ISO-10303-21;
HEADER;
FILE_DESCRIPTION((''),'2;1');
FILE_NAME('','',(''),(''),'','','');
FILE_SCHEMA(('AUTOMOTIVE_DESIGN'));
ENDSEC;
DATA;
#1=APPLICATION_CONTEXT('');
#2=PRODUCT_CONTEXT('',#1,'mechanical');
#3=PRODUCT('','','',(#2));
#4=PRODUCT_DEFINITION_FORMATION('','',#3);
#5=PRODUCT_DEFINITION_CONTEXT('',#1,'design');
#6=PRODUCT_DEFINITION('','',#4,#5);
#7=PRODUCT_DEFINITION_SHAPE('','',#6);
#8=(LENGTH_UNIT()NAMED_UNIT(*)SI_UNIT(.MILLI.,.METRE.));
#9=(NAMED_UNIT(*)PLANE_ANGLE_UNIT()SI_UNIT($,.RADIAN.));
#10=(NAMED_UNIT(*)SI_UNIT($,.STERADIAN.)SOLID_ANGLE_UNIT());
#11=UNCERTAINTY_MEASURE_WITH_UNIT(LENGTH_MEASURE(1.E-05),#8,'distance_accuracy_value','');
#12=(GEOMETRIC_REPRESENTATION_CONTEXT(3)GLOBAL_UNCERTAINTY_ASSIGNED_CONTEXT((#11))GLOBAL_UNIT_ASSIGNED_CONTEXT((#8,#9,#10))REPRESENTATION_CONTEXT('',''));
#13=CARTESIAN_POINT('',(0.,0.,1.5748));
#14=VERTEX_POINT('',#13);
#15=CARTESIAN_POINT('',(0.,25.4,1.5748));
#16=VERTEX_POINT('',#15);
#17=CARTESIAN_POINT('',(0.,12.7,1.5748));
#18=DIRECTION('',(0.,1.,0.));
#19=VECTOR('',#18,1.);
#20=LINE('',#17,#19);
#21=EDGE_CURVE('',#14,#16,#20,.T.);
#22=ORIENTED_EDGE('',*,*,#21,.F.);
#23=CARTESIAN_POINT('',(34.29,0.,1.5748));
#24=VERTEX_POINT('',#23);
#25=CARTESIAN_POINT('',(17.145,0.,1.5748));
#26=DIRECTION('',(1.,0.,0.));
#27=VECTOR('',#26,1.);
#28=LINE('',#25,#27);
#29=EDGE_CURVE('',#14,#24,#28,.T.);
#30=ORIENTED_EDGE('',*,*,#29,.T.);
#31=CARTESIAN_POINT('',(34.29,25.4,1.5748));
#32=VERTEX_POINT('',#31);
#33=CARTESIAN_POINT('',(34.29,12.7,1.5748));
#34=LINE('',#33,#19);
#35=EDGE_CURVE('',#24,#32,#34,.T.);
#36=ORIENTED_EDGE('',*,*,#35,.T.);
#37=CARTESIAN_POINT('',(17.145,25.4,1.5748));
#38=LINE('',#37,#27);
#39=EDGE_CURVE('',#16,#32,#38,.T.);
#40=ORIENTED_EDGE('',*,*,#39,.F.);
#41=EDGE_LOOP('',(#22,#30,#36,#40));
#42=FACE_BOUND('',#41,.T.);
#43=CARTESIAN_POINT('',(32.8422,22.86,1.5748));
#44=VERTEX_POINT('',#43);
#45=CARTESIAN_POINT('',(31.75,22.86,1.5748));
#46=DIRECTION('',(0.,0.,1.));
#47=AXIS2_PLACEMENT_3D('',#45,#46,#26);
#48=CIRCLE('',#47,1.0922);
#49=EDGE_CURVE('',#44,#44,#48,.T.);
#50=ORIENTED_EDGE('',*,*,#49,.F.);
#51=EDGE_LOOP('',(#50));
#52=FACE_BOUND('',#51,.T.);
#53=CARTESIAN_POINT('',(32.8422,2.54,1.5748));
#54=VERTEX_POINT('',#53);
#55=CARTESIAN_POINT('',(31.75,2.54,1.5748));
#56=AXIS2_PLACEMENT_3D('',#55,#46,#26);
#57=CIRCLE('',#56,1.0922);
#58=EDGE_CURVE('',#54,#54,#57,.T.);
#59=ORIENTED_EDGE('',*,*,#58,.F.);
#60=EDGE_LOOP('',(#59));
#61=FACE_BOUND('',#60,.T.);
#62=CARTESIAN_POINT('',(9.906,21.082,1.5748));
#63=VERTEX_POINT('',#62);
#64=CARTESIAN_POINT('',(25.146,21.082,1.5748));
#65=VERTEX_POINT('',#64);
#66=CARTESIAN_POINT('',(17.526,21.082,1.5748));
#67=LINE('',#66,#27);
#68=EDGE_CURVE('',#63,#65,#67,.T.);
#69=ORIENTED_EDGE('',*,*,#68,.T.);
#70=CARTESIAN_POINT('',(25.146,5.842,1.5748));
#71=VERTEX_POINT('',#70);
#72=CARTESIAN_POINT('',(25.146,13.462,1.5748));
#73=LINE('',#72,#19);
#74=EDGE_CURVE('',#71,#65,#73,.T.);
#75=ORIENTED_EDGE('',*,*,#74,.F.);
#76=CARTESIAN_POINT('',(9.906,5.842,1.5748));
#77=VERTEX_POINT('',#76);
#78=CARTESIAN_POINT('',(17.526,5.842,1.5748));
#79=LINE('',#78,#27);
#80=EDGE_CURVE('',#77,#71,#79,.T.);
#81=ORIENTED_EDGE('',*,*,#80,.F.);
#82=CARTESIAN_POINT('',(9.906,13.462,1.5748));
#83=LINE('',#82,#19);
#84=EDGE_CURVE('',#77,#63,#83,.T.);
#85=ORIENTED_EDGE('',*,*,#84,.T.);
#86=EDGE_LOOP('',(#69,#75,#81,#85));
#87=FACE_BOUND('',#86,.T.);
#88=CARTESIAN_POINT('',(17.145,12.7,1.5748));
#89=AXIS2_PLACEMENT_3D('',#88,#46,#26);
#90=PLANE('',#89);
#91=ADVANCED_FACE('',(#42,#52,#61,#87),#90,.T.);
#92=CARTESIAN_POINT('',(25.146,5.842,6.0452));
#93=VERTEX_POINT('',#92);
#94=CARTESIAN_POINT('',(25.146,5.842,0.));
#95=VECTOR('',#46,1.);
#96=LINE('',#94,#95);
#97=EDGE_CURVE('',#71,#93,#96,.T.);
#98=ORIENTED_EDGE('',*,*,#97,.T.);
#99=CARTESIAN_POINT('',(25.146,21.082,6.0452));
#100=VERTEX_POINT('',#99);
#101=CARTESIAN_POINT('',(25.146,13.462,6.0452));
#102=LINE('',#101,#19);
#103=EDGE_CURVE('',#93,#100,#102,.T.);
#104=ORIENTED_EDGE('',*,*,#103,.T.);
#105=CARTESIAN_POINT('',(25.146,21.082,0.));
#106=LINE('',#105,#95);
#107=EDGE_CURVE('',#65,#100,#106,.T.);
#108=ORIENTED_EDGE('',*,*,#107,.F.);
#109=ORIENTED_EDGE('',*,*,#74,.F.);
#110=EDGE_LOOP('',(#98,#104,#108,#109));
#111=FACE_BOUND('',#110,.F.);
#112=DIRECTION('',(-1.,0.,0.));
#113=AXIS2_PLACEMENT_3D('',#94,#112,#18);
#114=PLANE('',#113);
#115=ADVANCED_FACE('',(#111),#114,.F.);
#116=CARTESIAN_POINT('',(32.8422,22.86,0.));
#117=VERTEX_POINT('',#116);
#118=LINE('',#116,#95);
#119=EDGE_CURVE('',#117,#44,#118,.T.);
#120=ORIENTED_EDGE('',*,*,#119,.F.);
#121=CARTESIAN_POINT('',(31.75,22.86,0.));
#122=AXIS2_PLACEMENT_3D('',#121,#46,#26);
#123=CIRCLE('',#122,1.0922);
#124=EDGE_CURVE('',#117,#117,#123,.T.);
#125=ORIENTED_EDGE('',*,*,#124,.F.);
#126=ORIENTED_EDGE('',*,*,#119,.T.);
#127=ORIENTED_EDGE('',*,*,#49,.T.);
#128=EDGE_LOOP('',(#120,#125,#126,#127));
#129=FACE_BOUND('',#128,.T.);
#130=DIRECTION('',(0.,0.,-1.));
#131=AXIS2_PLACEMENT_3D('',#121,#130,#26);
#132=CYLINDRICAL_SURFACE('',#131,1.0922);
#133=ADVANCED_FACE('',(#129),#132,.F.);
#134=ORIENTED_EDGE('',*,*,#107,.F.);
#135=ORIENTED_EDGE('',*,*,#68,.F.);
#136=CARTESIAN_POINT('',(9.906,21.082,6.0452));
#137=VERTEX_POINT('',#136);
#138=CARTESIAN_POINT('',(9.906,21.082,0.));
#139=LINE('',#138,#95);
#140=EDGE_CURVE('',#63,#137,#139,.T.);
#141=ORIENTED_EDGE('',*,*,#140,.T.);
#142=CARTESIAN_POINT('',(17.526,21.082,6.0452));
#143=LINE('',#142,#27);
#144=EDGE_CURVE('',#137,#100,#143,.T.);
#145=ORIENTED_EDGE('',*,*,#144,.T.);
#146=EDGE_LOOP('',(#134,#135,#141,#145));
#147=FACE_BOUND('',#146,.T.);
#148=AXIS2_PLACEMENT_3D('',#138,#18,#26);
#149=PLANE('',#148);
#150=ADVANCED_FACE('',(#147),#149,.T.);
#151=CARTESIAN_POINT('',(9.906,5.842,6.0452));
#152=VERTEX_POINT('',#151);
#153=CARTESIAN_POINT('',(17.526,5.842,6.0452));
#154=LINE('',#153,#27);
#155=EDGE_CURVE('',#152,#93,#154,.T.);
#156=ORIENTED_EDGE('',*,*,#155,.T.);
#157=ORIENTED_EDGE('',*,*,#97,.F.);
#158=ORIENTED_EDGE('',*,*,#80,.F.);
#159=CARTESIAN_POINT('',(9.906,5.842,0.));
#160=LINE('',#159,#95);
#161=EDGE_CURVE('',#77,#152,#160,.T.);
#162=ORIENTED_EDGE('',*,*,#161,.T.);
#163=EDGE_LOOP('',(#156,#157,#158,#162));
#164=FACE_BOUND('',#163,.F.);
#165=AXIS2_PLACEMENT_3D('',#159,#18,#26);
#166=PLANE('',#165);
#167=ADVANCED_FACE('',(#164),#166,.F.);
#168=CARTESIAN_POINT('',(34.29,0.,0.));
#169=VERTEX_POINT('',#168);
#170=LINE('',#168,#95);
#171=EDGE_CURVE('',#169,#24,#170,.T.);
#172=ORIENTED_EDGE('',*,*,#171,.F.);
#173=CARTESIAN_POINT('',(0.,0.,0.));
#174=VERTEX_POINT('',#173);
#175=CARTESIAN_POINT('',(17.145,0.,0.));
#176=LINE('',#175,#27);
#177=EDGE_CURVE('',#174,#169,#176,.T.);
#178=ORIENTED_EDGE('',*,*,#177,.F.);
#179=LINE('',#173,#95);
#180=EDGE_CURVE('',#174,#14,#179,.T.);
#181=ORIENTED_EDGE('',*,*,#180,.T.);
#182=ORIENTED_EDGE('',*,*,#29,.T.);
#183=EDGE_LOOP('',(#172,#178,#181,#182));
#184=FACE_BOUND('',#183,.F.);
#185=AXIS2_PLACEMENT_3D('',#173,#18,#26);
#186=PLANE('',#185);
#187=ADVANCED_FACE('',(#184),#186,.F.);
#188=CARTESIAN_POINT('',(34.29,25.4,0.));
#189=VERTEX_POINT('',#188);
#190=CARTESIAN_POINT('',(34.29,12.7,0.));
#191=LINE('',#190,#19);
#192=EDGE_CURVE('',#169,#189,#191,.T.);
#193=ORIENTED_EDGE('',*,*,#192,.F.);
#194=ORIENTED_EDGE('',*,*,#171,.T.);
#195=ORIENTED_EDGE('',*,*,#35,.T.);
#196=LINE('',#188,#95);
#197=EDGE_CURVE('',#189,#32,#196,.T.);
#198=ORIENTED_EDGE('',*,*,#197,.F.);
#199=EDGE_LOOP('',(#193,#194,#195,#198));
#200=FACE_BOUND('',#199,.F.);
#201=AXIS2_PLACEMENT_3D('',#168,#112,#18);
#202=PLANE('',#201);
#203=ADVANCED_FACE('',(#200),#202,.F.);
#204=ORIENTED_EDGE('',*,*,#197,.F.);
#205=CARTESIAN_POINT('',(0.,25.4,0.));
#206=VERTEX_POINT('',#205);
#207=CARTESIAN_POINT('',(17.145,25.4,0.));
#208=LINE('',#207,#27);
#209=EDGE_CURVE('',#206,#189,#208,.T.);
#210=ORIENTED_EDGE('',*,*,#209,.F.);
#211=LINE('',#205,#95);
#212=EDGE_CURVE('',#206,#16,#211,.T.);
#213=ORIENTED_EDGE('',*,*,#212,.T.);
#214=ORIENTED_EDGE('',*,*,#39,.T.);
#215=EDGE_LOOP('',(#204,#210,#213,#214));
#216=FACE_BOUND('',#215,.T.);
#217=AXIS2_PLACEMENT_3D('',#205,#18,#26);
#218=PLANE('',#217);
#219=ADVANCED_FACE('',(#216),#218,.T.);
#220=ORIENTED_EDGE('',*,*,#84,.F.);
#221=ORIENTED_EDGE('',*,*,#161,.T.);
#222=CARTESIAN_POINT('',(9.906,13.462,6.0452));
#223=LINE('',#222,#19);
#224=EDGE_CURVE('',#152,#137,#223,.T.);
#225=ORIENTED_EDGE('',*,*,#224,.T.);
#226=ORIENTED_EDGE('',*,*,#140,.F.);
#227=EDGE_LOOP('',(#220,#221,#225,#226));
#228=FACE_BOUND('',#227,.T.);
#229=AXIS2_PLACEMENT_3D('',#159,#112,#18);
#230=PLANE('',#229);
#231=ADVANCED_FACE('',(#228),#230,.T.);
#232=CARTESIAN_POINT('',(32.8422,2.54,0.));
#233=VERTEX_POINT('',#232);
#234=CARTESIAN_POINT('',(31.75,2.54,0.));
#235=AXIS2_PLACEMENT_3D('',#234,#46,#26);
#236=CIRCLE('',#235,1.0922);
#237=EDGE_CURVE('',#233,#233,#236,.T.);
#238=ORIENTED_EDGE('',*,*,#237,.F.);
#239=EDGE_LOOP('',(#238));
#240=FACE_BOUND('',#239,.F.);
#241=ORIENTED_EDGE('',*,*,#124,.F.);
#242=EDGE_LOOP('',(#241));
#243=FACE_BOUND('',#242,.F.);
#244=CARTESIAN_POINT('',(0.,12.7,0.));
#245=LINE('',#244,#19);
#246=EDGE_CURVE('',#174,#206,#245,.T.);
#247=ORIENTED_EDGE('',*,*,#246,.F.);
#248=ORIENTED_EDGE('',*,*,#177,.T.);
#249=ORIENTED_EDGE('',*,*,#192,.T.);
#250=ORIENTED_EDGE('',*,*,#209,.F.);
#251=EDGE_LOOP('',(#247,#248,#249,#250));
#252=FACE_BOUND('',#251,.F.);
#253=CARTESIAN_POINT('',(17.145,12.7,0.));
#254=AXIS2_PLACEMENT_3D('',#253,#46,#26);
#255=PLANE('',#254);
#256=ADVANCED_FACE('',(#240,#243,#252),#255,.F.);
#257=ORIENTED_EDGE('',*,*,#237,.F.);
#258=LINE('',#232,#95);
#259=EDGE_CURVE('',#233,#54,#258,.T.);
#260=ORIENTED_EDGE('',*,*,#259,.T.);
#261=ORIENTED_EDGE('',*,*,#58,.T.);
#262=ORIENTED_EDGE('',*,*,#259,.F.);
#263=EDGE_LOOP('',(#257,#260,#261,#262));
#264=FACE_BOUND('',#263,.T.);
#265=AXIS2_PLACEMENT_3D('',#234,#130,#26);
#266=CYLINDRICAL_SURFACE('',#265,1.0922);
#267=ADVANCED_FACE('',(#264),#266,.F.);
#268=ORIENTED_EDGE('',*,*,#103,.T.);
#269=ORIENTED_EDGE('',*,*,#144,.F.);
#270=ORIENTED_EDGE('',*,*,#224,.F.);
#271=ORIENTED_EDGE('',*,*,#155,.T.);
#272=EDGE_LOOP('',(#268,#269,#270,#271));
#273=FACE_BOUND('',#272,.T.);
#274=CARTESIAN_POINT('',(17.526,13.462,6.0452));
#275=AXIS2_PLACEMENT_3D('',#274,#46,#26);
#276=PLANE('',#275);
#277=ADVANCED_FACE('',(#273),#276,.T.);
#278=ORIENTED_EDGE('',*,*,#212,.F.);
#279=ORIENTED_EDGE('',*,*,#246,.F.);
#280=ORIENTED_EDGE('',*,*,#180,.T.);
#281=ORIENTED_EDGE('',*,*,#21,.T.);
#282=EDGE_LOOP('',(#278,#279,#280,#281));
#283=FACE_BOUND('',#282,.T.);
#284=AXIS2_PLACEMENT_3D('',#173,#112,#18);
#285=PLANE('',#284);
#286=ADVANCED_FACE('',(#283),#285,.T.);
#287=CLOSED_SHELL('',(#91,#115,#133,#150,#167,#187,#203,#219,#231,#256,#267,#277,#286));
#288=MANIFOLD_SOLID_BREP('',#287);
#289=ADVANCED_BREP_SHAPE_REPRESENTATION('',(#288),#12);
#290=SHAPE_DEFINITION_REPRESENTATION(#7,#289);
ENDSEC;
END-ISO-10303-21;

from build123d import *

# Parameters (mm, degrees)
F0_W     = 15.24
F0_H     = 15.24
F1_DEPTH = 6.0452
F0_W_2   = 34.29
F0_H_2   = 25.4
F0_R     = 1.0922
F2_DEPTH = 1.5748


with BuildPart() as f1:
    # F0 (on Top) → F1 (new body)
    with BuildSketch(Plane.XY):
        with Locations((17.526, 13.462)):
            Rectangle(F0_W, F0_H)
    extrude(amount=F1_DEPTH)

    # F0 (on Top) → F2 (join)
    with BuildSketch(Plane.XY):
        with Locations((17.145, 12.7)):
            Rectangle(F0_W_2, F0_H_2)
        with Locations((31.75, 2.54)):
            Circle(F0_R, mode=Mode.SUBTRACT)
        with Locations((17.526, 13.462)):
            Rectangle(F0_W, F0_H, mode=Mode.SUBTRACT)
        with Locations((31.75, 22.86)):
            Circle(F0_R, mode=Mode.SUBTRACT)
    extrude(amount=F2_DEPTH)


solid = f1.part
